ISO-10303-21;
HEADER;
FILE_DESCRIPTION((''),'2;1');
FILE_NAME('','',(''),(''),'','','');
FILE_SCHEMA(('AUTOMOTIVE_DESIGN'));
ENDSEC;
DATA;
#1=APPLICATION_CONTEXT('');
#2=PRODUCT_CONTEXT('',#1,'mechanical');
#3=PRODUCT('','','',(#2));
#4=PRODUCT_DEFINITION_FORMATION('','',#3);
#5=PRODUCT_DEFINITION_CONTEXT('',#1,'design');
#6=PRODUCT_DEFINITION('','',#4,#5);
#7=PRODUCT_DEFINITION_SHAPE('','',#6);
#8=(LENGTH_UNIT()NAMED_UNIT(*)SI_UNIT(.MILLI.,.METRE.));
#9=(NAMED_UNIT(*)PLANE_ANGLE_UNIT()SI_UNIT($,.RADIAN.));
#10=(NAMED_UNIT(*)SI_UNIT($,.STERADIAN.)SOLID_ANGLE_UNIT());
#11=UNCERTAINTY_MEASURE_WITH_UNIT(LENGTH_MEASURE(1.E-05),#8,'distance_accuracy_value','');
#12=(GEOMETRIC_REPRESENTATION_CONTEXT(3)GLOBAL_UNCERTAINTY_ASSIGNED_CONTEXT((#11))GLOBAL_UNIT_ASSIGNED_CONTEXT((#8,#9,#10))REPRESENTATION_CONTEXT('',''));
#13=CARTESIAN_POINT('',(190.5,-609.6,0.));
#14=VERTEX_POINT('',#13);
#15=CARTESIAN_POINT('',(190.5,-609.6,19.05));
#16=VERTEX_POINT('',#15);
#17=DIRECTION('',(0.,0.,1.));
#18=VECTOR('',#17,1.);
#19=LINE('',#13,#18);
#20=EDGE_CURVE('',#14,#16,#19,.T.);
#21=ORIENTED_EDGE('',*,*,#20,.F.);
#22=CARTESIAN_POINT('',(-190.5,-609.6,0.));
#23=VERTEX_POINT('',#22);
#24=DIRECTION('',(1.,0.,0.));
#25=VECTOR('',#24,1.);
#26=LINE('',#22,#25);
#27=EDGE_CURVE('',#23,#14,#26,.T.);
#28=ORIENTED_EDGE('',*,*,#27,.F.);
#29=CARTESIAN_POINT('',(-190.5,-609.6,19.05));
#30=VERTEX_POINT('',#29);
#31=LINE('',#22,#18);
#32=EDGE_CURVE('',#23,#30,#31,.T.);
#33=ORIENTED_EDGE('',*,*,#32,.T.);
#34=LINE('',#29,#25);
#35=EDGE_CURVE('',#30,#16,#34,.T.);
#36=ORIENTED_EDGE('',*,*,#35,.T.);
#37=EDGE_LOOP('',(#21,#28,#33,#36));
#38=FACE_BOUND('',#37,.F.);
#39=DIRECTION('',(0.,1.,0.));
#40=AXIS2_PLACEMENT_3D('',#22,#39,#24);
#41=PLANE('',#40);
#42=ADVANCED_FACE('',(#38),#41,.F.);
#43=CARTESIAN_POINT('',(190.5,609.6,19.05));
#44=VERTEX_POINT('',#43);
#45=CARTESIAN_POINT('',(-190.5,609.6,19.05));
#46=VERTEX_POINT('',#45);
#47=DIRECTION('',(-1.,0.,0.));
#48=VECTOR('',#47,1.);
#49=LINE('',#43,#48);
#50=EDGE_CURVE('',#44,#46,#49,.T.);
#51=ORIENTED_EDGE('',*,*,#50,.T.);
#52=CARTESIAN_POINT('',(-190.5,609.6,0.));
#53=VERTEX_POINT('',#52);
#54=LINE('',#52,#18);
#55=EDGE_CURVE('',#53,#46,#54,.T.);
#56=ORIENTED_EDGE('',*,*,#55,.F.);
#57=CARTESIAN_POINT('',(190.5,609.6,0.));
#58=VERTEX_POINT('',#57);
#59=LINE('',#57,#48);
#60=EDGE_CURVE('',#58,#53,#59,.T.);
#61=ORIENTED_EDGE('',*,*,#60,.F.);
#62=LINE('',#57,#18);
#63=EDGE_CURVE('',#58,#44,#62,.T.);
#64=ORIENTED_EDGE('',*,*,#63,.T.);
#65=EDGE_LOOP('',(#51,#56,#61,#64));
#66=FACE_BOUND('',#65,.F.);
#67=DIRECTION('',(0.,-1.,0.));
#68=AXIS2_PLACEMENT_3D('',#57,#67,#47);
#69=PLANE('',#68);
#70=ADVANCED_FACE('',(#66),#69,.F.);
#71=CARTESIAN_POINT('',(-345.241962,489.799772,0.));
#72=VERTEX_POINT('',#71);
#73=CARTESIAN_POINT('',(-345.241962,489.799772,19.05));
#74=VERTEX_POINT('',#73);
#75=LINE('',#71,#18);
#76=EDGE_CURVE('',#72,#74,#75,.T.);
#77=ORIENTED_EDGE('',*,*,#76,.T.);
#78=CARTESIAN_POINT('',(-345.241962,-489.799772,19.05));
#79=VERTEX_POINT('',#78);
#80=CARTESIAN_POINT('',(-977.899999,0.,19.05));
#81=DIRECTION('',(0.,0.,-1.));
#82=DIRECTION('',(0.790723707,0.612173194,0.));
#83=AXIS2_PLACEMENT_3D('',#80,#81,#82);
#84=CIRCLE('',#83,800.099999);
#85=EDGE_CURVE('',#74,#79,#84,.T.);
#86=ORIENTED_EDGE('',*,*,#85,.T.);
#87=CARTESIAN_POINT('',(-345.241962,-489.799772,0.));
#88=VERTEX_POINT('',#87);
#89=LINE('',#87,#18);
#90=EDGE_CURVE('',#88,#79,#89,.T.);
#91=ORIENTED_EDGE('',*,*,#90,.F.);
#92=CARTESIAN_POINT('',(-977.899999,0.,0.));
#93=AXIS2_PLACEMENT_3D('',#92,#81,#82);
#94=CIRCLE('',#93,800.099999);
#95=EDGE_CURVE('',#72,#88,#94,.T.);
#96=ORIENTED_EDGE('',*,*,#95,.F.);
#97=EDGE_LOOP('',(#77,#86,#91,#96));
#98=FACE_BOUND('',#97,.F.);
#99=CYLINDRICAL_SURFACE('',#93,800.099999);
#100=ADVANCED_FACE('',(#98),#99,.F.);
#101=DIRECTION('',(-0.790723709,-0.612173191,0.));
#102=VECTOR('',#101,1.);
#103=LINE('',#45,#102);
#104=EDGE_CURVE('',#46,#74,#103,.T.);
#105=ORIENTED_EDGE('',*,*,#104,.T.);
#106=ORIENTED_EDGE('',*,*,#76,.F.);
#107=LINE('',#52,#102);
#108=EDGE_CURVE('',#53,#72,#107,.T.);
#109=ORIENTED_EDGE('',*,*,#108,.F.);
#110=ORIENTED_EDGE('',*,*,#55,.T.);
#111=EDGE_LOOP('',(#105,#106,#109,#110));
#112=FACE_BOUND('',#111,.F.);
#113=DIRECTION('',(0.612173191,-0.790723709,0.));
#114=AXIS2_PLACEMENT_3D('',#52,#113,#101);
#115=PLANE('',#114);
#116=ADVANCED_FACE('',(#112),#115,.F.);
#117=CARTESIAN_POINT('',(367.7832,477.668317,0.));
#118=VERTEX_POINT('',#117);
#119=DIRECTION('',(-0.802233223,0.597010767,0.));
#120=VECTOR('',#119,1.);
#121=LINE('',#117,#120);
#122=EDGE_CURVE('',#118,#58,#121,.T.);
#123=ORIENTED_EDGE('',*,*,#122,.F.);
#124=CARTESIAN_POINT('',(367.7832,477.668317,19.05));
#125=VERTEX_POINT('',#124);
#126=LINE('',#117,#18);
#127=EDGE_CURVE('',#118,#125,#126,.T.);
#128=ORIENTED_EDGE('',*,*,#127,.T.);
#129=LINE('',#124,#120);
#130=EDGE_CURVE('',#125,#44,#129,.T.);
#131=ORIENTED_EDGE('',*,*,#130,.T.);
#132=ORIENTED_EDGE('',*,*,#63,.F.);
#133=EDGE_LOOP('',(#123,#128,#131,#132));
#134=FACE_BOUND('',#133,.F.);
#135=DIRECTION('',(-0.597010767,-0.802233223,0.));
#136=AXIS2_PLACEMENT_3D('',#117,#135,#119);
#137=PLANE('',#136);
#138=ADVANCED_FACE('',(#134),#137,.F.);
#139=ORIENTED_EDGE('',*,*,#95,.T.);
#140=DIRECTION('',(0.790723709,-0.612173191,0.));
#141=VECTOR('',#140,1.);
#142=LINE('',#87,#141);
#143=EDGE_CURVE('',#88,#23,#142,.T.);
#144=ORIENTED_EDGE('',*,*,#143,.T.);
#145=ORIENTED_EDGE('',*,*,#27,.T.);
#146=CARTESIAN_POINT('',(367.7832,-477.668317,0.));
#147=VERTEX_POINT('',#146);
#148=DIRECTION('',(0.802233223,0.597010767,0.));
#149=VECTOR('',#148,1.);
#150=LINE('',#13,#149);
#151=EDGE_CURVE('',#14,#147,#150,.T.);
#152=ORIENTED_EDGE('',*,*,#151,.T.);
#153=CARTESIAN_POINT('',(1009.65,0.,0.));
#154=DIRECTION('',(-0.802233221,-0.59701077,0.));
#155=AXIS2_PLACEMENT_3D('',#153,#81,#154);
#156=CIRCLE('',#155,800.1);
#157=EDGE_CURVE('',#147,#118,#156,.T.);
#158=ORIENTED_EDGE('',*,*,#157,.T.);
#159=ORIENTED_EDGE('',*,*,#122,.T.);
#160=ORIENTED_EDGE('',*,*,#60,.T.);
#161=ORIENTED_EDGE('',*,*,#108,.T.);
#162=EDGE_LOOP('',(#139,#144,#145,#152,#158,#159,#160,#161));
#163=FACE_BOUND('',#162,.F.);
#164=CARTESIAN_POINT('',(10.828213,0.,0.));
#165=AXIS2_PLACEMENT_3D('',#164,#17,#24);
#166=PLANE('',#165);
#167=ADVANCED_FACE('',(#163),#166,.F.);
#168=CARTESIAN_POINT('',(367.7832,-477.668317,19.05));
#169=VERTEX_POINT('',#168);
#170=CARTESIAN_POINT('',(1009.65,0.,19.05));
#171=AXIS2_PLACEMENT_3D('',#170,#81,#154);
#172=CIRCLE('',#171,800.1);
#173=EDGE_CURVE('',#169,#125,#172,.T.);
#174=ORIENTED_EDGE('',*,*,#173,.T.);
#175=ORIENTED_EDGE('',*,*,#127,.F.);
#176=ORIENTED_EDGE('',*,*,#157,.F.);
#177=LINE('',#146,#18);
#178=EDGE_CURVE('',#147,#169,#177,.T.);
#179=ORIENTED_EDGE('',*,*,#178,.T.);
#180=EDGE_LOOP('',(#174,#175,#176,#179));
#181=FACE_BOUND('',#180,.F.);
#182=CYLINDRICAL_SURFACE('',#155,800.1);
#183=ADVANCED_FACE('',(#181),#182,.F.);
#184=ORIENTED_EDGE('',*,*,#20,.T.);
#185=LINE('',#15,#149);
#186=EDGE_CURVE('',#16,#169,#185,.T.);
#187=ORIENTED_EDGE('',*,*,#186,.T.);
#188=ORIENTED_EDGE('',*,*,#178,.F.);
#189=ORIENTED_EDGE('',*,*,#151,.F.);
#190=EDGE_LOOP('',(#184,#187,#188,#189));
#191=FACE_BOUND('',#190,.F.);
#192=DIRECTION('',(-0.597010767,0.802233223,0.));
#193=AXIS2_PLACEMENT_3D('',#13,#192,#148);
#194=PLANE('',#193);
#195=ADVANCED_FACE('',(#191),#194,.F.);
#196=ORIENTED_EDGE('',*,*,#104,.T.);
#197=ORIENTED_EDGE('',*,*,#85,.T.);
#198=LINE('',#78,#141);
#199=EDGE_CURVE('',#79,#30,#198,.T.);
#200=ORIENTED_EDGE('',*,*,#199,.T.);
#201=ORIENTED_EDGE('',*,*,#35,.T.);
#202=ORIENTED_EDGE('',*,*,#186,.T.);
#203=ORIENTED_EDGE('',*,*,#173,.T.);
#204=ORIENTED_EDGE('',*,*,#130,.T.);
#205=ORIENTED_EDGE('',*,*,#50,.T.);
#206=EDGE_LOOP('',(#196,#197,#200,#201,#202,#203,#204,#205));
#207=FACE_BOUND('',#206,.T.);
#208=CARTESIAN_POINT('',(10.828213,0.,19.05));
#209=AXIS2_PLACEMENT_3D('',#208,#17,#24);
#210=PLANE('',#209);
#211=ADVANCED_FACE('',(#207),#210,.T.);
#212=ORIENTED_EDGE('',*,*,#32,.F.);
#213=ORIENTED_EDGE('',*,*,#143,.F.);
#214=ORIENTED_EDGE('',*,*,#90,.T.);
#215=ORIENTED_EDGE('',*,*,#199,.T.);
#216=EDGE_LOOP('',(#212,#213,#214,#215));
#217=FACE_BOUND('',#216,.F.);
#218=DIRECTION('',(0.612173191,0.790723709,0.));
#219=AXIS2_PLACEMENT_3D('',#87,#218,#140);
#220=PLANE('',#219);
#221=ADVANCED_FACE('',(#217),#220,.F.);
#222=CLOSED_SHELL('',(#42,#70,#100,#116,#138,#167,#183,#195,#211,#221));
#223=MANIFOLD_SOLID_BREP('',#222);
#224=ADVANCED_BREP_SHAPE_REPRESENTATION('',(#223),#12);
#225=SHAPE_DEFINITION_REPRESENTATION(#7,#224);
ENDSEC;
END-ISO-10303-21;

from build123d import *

# Parameters (mm, degrees)
F1_DEPTH = 19.05


with BuildPart() as f1:
    # F0 (on Top) → F1 (new body)
    with BuildSketch(Plane.XY):
        with BuildLine():
            Line((-190.5, -609.6), (0, -609.6))
            Line((0, -609.6), (190.5, -609.6))
            Line((190.5, -609.6), (367.7832, -477.668317))
            ThreePointArc((367.7832, -477.668317), (209.55, 0), (367.7832, 477.668317))
            Line((367.7832, 477.668317), (190.5, 609.6))
            Line((190.5, 609.6), (0, 609.6))
            Line((0, 609.6), (-190.5, 609.6))
            Line((-190.5, 609.6), (-345.241962, 489.799772))
            ThreePointArc((-345.241962, 489.799772), (-177.8, 0), (-345.241962, -489.799772))
            Line((-345.241962, -489.799772), (-190.5, -609.6))
        make_face()
    extrude(amount=F1_DEPTH)


solid = f1.part
